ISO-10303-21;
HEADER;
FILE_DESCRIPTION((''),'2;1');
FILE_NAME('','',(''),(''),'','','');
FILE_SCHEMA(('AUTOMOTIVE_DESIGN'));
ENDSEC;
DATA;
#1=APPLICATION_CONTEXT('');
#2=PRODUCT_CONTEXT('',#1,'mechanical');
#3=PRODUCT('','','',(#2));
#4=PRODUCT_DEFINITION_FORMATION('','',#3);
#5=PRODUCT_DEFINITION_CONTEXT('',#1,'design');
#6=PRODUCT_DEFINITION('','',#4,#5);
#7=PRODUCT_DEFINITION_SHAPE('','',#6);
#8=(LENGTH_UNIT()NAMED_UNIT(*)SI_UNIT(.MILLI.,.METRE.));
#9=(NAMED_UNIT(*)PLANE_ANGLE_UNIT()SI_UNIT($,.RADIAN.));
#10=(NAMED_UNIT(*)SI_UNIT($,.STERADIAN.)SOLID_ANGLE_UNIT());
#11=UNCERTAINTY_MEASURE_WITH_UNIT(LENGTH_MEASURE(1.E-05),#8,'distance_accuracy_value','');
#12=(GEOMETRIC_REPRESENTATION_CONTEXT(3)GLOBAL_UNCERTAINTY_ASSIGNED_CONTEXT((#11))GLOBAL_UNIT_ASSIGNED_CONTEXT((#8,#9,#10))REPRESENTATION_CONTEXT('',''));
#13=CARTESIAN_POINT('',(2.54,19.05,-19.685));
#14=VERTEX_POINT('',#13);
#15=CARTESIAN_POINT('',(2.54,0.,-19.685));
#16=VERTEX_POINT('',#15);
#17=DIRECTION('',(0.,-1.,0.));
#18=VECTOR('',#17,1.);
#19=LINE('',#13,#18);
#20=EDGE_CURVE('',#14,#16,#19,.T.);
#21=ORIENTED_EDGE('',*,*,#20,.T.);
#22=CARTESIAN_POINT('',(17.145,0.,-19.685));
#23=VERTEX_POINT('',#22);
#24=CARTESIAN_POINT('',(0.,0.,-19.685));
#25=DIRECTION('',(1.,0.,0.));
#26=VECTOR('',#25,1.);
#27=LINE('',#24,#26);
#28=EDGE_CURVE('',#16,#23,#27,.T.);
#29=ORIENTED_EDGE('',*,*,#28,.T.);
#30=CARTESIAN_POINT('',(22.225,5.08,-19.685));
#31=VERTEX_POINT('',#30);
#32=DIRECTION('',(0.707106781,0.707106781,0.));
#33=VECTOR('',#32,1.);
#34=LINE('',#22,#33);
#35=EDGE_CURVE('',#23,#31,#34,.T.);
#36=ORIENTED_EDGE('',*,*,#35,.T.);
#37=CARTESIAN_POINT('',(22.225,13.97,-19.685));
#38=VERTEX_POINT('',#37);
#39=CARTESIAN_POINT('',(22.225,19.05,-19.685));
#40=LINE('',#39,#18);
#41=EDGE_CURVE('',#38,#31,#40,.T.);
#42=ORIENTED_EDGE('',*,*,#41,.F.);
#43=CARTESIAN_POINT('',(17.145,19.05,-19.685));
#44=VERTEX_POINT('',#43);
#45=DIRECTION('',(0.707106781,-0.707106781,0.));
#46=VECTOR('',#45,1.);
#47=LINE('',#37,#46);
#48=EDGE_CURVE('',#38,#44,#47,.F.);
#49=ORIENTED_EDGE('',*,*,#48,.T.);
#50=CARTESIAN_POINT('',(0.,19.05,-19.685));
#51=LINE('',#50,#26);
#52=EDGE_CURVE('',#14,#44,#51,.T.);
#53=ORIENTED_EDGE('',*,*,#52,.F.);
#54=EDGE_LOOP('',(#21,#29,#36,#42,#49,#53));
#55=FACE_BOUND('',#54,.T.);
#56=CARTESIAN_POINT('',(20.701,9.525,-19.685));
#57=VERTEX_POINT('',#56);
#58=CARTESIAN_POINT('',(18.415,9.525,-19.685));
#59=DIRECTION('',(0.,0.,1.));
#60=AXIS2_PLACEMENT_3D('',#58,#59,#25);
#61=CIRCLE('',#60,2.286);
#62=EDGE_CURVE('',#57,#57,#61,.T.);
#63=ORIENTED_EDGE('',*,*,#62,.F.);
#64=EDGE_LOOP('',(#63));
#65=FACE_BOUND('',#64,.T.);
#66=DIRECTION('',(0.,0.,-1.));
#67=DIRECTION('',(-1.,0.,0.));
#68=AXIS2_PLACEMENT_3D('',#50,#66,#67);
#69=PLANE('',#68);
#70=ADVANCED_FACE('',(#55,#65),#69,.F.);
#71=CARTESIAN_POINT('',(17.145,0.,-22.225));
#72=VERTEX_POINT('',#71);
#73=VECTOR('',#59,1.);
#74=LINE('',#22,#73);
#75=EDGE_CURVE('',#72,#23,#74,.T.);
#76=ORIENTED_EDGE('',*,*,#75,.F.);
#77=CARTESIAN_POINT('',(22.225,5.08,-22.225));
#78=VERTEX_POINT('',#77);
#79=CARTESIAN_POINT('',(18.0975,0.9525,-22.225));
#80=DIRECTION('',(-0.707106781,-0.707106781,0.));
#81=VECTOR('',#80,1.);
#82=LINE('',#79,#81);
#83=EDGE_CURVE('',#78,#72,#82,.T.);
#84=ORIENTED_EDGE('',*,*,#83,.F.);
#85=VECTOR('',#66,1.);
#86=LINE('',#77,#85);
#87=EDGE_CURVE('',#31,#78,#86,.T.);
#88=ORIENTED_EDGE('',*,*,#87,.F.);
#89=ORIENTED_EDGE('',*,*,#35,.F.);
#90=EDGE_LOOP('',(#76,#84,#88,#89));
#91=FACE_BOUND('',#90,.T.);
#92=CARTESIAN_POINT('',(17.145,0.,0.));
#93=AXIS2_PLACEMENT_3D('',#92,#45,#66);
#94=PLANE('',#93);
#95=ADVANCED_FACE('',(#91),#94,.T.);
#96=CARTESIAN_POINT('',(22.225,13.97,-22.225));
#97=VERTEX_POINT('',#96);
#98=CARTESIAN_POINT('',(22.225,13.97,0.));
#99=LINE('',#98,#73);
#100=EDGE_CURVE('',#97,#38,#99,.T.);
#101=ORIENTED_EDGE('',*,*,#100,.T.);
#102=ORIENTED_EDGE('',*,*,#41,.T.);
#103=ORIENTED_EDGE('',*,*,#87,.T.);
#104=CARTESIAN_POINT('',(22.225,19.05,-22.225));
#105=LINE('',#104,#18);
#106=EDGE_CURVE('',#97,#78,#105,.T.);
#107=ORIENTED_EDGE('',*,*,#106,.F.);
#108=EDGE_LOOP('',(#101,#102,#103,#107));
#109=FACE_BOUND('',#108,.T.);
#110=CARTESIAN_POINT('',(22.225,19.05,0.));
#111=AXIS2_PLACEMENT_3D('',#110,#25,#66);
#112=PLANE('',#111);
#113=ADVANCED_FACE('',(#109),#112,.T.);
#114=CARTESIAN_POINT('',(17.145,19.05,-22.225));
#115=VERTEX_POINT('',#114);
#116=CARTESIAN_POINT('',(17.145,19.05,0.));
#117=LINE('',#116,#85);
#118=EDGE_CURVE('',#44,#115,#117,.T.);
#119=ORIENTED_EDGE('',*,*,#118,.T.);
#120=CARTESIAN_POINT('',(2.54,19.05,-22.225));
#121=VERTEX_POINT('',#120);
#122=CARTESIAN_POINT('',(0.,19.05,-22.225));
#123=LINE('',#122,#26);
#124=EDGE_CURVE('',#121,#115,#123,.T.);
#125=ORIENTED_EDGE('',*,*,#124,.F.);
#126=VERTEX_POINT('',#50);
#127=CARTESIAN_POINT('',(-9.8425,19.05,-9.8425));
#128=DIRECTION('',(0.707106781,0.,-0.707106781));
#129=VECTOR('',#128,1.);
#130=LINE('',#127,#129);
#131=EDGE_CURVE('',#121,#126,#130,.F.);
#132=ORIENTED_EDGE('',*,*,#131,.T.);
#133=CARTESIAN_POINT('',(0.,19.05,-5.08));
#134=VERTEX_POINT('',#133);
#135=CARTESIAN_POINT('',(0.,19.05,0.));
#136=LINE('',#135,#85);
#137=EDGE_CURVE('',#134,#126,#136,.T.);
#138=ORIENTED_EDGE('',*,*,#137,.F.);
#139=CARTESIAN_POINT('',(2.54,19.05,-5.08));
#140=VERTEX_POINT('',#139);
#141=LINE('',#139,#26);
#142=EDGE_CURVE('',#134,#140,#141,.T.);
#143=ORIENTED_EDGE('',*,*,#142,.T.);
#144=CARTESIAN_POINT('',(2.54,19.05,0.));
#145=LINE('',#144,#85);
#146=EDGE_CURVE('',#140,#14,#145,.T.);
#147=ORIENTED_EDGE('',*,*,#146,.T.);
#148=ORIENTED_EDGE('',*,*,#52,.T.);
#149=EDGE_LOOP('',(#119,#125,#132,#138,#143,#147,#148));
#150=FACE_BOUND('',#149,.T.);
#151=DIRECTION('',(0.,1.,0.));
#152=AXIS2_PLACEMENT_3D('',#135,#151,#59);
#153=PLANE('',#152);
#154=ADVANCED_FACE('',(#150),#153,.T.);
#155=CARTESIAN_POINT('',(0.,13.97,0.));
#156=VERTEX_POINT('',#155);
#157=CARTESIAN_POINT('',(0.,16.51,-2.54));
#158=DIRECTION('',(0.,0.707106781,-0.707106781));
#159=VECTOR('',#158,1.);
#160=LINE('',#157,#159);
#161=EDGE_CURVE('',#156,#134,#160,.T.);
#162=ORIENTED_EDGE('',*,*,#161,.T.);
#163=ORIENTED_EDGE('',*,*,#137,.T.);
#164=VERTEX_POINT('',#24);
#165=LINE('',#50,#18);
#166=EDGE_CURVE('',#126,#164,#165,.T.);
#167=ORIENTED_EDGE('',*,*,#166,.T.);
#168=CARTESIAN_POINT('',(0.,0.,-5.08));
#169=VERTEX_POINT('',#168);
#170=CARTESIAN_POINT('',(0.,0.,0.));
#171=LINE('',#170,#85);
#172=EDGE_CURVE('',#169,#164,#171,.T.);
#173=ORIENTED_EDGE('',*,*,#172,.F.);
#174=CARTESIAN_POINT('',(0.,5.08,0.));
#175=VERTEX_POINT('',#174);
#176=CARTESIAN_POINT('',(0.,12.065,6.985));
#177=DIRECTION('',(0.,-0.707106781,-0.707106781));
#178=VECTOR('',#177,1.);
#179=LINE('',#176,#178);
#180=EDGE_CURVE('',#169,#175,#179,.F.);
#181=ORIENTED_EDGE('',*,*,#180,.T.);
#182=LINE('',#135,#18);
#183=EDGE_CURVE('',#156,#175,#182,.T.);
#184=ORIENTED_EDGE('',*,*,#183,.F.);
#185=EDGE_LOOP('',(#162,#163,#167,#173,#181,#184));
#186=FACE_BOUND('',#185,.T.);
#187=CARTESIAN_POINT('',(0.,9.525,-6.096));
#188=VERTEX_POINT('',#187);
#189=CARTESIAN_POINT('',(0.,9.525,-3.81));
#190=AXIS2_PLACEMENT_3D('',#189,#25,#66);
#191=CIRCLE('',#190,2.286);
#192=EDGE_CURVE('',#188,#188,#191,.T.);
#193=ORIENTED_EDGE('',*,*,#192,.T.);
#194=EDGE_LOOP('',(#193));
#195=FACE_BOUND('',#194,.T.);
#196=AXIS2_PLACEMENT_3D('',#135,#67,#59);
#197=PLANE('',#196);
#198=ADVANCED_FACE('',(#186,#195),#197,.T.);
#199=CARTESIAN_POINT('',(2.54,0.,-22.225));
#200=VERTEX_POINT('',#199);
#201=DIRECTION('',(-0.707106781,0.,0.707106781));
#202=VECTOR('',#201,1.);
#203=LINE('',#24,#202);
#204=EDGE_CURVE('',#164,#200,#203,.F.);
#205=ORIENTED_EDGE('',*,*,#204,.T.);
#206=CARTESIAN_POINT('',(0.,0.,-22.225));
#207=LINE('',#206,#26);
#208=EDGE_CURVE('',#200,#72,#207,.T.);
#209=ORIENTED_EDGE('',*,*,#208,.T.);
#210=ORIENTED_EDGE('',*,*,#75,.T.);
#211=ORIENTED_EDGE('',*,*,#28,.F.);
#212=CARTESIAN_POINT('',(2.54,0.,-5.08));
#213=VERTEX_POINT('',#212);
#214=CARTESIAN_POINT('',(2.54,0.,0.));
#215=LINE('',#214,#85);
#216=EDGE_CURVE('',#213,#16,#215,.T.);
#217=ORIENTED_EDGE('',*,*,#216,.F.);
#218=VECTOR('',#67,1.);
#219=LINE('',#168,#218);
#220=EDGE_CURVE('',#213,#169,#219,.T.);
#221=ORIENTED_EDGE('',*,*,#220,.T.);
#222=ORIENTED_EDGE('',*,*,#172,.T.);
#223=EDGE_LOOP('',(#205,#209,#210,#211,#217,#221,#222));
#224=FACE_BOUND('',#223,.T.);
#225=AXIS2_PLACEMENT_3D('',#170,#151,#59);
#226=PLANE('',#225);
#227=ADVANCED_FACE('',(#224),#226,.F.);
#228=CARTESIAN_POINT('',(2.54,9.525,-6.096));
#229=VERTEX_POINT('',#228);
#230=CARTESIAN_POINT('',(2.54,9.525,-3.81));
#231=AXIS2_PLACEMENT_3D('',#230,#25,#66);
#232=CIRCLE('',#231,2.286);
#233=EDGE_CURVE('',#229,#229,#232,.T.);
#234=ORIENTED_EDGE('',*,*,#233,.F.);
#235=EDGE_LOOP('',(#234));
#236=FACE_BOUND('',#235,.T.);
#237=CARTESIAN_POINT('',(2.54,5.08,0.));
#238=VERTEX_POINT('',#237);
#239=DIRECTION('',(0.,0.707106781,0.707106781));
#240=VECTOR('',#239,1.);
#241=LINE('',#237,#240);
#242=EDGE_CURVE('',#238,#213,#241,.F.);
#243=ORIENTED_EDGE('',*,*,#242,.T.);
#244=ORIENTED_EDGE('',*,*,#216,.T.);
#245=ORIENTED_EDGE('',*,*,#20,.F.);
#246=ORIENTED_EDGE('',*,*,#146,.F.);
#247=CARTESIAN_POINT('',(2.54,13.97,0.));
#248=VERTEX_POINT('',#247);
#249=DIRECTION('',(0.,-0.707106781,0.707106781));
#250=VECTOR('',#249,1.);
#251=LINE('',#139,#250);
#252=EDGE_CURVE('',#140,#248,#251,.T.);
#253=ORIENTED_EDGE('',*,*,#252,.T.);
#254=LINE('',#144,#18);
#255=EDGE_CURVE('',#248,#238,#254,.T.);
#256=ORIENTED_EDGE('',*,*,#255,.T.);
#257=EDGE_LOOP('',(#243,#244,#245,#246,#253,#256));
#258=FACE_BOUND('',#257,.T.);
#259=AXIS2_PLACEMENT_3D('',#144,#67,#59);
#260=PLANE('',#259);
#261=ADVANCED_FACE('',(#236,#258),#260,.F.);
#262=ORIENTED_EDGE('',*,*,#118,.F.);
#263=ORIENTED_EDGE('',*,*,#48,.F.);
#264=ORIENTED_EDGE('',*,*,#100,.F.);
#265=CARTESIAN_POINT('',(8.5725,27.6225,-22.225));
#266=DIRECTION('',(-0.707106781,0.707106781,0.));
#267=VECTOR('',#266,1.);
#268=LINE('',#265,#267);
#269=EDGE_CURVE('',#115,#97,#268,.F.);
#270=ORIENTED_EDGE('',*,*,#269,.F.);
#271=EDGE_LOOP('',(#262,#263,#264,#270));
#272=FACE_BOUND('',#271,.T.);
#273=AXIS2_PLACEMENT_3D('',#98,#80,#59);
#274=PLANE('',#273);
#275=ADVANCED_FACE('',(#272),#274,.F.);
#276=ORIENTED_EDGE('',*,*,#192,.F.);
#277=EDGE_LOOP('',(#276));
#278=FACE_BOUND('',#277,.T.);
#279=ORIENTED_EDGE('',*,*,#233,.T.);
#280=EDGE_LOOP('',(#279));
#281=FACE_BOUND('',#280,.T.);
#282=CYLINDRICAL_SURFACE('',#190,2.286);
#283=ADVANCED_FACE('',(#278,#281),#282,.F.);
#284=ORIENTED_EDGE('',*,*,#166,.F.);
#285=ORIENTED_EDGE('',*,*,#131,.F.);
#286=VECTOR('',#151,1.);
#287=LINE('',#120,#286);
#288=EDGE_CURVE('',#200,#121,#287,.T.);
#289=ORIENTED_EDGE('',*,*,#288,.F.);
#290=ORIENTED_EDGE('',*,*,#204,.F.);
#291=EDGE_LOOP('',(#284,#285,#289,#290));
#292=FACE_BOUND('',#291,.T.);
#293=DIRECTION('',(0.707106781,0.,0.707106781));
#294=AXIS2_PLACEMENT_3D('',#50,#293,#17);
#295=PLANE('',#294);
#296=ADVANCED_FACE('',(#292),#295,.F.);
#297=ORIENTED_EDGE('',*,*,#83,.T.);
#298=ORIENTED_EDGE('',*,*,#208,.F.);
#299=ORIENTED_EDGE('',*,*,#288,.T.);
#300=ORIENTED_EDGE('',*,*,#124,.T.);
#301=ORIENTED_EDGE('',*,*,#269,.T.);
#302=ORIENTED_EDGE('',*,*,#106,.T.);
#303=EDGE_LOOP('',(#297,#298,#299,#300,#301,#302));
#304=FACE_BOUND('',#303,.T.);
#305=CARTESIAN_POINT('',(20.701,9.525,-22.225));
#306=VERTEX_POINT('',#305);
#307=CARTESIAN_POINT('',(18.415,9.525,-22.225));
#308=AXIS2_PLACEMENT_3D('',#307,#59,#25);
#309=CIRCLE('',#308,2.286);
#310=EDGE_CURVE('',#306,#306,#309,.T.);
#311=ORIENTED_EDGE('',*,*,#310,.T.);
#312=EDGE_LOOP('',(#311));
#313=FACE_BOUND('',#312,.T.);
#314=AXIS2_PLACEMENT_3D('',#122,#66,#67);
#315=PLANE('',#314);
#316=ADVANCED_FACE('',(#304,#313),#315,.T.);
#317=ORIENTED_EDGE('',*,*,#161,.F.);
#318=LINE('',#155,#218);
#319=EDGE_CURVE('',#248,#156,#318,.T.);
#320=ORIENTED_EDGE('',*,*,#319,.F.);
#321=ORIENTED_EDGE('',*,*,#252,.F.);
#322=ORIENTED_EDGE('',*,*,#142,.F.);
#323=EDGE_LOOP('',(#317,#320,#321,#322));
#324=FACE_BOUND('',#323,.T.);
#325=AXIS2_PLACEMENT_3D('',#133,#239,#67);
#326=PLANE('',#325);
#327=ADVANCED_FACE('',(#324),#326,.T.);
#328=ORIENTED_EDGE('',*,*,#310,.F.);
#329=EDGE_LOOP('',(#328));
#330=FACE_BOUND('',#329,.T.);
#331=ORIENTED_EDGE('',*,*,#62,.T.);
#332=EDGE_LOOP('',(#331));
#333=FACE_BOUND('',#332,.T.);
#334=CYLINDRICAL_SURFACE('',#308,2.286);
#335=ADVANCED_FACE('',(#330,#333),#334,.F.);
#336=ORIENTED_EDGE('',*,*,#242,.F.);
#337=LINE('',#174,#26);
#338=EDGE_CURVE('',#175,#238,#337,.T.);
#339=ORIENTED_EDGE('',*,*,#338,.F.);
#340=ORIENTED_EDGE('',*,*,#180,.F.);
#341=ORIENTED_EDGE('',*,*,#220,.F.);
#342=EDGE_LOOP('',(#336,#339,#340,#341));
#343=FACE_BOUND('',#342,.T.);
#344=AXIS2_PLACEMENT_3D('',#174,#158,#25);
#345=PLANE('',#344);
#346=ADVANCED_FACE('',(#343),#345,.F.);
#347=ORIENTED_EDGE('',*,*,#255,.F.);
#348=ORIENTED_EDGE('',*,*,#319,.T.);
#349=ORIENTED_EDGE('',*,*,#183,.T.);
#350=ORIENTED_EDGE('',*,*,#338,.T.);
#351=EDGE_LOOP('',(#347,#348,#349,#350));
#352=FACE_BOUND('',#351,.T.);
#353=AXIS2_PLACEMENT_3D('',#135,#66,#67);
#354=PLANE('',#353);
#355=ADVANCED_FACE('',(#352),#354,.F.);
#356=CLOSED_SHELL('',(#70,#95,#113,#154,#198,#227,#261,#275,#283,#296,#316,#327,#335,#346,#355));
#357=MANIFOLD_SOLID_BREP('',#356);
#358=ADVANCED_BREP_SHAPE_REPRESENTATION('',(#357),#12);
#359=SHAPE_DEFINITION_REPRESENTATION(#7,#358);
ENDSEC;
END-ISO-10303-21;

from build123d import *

# Parameters (mm, degrees)
BOSS_EXTRUDE1_DEPTH = 19.05
SKETCH2_R           = 2.286
CUT_EXTRUDE1_DEPTH  = 2.54
SKETCH3_R           = 2.286
CUT_EXTRUDE2_DEPTH  = 2.54
CHAMFER1_SIZE       = 5.08
CHAMFER2_SIZE       = 2.54


with BuildPart() as part:
    # Sketch1 → Boss-Extrude1 (new body)
    with BuildSketch(Plane(origin=(0, 0, 0), x_dir=(1, 0, 0), z_dir=(0, 1, 0))):
        Polygon((22.225, 22.225), (22.225, 19.685), (2.54, 19.685), (2.54, 0), (0, 0), (0, 22.225), align=None)
    extrude(amount=BOSS_EXTRUDE1_DEPTH)

    # Sketch2 → Cut-Extrude1 (cut)
    with BuildSketch(Plane.XY.offset(-19.685)):
        with Locations((18.415, 9.525)):
            Circle(SKETCH2_R)
    extrude(amount=-CUT_EXTRUDE1_DEPTH, mode=Mode.SUBTRACT)

    # Sketch3 → Cut-Extrude2 (cut)
    with BuildSketch(Plane(origin=(2.54, 0, 0), x_dir=(0, 0, -1), z_dir=(1, 0, 0))):
        with Locations((3.81, 9.525)):
            Circle(SKETCH3_R)
    extrude(amount=-CUT_EXTRUDE2_DEPTH, mode=Mode.SUBTRACT)

    # Chamfer1
    chamfer1_edges = [part.edges().sort_by_distance(p)[0] for p in [
        (22.225, 0, -20.955),
        (1.27, 19.05, 0),
        (22.225, 19.05, -20.955),
        (1.27, 0, 0),
    ]]
    chamfer(chamfer1_edges, length=CHAMFER1_SIZE)

    # Chamfer2
    chamfer2_edges = [part.edges().sort_by_distance(p)[0] for p in [
        (0, 9.525, -22.225),
    ]]
    chamfer(chamfer2_edges, length=CHAMFER2_SIZE)


solid = part.part
